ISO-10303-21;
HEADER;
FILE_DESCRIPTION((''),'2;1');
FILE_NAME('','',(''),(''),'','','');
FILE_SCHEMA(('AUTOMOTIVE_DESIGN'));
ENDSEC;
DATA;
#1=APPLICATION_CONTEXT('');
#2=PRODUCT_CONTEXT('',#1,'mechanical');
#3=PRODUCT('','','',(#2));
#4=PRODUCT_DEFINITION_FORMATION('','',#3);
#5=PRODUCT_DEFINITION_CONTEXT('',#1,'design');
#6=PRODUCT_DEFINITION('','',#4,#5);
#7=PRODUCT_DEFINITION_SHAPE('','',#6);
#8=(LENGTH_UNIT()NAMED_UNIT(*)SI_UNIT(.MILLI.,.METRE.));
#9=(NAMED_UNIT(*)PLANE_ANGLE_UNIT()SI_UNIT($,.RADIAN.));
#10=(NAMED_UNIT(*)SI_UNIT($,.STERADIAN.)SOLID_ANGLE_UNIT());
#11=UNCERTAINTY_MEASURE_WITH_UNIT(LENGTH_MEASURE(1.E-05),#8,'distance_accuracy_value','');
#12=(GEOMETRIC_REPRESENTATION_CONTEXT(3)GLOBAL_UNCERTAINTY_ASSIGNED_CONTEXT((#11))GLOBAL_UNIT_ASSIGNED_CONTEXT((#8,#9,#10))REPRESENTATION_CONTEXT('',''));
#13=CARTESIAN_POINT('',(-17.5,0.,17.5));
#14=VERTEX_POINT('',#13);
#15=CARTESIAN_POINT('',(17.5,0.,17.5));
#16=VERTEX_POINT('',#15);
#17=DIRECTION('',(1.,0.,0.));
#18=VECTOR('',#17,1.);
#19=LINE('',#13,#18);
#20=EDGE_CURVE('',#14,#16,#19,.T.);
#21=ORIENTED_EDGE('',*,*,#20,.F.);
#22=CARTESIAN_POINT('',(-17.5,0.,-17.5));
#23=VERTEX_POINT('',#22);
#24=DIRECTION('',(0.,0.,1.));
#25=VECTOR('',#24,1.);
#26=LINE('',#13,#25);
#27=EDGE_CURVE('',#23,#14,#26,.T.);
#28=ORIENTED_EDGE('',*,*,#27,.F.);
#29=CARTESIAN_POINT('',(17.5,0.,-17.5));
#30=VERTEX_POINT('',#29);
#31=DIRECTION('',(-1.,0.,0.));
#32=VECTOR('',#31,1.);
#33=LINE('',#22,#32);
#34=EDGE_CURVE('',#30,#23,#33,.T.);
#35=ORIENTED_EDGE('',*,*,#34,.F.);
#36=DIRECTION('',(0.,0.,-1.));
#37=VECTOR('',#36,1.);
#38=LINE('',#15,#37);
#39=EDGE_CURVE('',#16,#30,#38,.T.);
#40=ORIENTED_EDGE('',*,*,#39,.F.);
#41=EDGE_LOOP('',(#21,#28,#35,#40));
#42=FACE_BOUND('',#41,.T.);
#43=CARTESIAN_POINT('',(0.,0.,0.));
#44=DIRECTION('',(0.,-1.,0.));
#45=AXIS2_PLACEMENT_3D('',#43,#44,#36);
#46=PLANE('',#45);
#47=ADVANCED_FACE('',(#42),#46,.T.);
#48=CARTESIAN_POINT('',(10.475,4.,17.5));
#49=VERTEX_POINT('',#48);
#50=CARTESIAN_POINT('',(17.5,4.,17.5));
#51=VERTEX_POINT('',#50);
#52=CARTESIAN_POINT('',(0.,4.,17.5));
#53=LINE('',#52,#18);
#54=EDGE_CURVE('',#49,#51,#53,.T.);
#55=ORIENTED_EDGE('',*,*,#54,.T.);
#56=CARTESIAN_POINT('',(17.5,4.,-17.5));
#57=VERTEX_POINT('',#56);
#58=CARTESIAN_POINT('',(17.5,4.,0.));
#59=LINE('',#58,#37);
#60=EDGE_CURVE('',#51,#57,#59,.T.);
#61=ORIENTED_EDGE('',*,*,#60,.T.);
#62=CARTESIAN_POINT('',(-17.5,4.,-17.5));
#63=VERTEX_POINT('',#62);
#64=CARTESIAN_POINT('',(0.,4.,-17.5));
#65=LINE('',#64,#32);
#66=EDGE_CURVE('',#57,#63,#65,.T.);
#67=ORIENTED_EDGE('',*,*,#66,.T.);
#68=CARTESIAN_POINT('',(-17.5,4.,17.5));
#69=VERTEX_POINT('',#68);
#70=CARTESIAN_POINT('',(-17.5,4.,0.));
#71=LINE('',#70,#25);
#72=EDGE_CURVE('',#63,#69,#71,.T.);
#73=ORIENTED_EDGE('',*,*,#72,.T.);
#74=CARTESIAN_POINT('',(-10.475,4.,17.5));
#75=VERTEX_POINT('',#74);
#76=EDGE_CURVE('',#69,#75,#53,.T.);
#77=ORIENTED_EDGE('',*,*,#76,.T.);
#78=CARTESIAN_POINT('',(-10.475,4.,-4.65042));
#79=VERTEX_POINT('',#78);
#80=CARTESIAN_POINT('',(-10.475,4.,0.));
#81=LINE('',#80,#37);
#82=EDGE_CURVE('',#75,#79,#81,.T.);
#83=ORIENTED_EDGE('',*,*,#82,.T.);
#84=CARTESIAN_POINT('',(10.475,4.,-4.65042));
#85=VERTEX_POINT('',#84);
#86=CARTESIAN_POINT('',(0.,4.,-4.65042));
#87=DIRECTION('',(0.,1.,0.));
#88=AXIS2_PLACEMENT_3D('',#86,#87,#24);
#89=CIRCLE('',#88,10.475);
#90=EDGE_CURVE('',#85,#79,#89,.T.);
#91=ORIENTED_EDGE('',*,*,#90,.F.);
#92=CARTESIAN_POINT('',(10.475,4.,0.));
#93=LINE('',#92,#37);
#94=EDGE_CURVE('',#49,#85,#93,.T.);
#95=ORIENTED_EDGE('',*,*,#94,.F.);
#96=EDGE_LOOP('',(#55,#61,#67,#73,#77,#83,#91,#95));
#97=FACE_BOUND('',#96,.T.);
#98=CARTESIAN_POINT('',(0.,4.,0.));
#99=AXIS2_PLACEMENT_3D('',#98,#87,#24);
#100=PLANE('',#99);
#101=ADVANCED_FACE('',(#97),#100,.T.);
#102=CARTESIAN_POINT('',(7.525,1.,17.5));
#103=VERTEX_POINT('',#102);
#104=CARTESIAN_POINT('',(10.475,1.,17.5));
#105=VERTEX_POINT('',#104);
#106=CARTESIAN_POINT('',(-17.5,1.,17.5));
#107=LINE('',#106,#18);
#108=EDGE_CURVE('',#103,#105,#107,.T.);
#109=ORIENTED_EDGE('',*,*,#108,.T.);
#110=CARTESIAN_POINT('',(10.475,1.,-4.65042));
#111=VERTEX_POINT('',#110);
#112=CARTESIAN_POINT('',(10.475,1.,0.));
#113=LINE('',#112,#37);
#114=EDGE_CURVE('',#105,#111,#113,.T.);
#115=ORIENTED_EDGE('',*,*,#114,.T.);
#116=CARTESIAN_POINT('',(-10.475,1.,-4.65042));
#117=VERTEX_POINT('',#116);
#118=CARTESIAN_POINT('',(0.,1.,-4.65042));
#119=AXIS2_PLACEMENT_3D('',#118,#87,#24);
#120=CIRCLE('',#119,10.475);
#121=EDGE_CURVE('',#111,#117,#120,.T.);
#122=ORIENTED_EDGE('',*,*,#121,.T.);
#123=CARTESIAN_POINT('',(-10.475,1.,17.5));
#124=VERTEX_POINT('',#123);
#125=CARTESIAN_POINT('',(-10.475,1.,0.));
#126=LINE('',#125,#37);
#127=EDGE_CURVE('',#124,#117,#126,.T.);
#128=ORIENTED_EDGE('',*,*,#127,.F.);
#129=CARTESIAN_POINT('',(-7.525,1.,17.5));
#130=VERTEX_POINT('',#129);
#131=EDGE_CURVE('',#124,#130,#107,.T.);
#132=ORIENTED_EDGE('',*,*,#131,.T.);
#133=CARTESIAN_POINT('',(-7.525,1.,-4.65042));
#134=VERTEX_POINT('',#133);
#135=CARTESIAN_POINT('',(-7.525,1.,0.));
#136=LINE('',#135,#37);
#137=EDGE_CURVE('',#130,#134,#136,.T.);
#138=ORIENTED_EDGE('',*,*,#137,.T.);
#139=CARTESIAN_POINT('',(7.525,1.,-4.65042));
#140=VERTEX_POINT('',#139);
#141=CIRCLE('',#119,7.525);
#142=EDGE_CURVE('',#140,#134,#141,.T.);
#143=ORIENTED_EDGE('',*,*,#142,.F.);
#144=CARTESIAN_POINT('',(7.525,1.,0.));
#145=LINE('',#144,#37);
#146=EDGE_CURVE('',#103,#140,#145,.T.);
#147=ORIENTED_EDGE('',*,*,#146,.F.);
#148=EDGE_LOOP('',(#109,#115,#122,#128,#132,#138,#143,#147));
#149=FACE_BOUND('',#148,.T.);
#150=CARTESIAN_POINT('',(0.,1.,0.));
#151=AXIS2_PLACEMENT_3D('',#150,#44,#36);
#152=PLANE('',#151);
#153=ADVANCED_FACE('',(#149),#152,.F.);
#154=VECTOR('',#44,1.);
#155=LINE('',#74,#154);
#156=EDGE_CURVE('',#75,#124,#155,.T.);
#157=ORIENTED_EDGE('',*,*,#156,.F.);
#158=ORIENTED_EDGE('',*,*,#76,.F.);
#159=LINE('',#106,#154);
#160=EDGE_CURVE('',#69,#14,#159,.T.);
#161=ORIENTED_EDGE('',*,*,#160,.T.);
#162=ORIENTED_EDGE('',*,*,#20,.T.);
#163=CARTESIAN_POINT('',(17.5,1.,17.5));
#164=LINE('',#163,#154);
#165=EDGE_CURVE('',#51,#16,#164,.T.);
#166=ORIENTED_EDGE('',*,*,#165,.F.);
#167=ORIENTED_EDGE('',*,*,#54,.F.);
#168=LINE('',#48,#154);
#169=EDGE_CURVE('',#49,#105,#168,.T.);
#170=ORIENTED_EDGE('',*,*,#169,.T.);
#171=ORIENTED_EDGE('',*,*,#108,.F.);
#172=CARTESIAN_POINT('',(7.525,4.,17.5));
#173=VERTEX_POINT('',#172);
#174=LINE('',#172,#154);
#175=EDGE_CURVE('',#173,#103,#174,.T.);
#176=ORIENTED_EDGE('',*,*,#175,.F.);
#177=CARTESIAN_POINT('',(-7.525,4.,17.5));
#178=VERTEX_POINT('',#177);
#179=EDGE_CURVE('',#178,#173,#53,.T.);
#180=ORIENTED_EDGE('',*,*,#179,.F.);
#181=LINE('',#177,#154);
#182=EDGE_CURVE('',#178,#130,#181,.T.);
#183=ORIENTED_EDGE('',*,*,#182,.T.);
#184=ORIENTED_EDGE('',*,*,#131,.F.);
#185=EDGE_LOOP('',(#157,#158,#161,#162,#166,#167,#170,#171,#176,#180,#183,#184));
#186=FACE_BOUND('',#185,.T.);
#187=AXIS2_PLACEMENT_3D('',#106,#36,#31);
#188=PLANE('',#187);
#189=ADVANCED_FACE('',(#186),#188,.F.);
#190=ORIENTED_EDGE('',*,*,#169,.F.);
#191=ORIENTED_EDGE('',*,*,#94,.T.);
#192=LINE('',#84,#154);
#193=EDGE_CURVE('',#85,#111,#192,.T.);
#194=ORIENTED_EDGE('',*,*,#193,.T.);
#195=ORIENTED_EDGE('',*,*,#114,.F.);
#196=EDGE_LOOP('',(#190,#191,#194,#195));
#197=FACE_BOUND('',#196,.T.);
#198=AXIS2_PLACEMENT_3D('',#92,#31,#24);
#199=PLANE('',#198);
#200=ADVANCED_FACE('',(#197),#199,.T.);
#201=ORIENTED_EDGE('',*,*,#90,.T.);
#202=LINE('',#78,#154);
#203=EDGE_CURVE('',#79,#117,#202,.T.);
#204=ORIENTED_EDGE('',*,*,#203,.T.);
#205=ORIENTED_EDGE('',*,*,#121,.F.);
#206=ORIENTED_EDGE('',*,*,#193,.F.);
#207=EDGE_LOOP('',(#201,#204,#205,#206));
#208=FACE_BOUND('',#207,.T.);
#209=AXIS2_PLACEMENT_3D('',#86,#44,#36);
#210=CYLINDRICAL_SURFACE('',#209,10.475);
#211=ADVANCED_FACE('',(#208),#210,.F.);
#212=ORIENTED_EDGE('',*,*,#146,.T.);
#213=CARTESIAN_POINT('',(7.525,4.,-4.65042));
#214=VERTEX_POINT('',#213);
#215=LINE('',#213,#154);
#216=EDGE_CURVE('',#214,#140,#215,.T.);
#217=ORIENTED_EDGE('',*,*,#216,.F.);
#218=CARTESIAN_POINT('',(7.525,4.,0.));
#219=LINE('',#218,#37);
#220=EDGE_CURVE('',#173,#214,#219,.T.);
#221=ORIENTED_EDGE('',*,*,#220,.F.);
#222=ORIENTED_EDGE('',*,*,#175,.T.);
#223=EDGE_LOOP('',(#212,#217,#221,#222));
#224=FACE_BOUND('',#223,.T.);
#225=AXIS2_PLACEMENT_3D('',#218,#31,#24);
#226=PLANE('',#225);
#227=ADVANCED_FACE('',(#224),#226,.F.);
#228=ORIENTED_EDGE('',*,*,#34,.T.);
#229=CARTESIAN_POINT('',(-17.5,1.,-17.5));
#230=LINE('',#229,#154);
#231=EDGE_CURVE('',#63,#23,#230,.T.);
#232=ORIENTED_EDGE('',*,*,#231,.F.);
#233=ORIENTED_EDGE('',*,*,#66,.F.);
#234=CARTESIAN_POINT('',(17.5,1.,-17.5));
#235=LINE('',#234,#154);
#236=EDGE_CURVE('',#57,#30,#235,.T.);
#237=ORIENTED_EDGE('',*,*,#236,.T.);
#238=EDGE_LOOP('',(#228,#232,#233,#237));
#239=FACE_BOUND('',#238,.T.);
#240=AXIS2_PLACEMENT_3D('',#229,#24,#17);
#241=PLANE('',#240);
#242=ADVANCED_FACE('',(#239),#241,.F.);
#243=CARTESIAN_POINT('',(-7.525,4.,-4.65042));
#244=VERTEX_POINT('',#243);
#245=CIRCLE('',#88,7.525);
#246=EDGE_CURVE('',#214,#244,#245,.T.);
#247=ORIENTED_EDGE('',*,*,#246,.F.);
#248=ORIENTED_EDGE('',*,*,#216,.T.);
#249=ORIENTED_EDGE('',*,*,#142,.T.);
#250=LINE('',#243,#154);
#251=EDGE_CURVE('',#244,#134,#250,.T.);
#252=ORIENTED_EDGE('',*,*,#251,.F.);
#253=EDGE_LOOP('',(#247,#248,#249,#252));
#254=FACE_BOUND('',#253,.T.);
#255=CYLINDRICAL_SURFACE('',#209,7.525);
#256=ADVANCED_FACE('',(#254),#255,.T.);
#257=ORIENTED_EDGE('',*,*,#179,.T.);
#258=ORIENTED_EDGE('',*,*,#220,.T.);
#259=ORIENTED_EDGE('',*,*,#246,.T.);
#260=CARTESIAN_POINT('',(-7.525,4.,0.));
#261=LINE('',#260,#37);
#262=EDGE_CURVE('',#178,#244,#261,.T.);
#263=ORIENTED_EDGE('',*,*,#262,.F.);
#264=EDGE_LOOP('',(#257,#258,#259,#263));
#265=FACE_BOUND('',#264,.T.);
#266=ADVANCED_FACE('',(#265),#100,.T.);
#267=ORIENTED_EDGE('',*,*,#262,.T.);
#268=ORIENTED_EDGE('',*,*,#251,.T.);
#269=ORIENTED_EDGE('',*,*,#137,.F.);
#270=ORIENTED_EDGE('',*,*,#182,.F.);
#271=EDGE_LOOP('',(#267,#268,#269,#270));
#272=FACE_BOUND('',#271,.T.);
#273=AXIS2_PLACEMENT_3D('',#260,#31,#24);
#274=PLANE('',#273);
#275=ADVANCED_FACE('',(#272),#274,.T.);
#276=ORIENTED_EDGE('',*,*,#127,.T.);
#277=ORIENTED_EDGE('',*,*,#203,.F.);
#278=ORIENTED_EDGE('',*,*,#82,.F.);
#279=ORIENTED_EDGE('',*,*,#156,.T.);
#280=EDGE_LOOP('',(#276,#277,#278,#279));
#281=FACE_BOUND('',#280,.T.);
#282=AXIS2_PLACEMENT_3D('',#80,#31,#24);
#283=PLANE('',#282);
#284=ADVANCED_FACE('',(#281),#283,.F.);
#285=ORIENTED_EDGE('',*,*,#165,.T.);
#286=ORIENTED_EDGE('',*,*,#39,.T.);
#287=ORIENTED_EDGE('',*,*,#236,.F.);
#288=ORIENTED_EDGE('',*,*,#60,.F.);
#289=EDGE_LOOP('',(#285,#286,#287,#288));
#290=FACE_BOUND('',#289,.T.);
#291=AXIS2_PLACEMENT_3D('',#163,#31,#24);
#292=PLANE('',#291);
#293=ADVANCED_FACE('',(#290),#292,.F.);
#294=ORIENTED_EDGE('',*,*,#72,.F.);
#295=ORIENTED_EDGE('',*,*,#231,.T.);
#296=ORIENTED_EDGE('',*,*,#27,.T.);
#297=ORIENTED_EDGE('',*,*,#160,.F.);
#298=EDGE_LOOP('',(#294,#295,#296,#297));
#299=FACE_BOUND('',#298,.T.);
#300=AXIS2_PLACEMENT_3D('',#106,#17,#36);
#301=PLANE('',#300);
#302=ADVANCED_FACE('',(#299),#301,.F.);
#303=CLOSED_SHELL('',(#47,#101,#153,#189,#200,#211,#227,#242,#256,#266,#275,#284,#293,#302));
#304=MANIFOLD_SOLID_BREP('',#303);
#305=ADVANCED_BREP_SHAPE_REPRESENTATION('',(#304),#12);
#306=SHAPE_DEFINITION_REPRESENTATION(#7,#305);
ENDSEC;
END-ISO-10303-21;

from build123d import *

# Parameters (mm, degrees)
SKETCH1_W           = 35
SKETCH1_H           = 35
BOSS_EXTRUDE1_DEPTH = 1
BOSS_EXTRUDE2_DEPTH = 3


with BuildPart() as part:
    # Sketch1 → Boss-Extrude1 (new body)
    with BuildSketch(Plane(origin=(0, 0, 0), x_dir=(1, 0, 0), z_dir=(0, 1, 0))):
        Rectangle(SKETCH1_W, SKETCH1_H)
    extrude(amount=BOSS_EXTRUDE1_DEPTH)

    # Sketch2 → Boss-Extrude2 (add)
    with BuildSketch(Plane(origin=(0, 1, 0), x_dir=(1, 0, 0), z_dir=(0, 1, 0))):
        with BuildLine():
            Line((-17.5, -17.5), (-10.475, -17.5))
            Line((-10.475, -17.5), (-10.475, 4.65042043))
            ThreePointArc((-10.475, 4.65042043), (0, 15.12542043), (10.475, 4.65042043))
            Line((10.475, 4.65042043), (10.475, -17.5))
            Line((10.475, -17.5), (17.5, -17.5))
            Line((17.5, -17.5), (17.5, 17.5))
            Line((17.5, 17.5), (-17.5, 17.5))
            Line((-17.5, 17.5), (-17.5, -17.5))
        make_face()
        with BuildLine():
            Line((-7.525, 4.65042043), (-7.525, -17.5))
            Line((-7.525, -17.5), (7.525, -17.5))
            Line((7.525, -17.5), (7.525, 4.65042043))
            ThreePointArc((7.525, 4.65042043), (0, 12.17542043), (-7.525, 4.65042043))
        make_face()
    extrude(amount=BOSS_EXTRUDE2_DEPTH)


solid = part.part
